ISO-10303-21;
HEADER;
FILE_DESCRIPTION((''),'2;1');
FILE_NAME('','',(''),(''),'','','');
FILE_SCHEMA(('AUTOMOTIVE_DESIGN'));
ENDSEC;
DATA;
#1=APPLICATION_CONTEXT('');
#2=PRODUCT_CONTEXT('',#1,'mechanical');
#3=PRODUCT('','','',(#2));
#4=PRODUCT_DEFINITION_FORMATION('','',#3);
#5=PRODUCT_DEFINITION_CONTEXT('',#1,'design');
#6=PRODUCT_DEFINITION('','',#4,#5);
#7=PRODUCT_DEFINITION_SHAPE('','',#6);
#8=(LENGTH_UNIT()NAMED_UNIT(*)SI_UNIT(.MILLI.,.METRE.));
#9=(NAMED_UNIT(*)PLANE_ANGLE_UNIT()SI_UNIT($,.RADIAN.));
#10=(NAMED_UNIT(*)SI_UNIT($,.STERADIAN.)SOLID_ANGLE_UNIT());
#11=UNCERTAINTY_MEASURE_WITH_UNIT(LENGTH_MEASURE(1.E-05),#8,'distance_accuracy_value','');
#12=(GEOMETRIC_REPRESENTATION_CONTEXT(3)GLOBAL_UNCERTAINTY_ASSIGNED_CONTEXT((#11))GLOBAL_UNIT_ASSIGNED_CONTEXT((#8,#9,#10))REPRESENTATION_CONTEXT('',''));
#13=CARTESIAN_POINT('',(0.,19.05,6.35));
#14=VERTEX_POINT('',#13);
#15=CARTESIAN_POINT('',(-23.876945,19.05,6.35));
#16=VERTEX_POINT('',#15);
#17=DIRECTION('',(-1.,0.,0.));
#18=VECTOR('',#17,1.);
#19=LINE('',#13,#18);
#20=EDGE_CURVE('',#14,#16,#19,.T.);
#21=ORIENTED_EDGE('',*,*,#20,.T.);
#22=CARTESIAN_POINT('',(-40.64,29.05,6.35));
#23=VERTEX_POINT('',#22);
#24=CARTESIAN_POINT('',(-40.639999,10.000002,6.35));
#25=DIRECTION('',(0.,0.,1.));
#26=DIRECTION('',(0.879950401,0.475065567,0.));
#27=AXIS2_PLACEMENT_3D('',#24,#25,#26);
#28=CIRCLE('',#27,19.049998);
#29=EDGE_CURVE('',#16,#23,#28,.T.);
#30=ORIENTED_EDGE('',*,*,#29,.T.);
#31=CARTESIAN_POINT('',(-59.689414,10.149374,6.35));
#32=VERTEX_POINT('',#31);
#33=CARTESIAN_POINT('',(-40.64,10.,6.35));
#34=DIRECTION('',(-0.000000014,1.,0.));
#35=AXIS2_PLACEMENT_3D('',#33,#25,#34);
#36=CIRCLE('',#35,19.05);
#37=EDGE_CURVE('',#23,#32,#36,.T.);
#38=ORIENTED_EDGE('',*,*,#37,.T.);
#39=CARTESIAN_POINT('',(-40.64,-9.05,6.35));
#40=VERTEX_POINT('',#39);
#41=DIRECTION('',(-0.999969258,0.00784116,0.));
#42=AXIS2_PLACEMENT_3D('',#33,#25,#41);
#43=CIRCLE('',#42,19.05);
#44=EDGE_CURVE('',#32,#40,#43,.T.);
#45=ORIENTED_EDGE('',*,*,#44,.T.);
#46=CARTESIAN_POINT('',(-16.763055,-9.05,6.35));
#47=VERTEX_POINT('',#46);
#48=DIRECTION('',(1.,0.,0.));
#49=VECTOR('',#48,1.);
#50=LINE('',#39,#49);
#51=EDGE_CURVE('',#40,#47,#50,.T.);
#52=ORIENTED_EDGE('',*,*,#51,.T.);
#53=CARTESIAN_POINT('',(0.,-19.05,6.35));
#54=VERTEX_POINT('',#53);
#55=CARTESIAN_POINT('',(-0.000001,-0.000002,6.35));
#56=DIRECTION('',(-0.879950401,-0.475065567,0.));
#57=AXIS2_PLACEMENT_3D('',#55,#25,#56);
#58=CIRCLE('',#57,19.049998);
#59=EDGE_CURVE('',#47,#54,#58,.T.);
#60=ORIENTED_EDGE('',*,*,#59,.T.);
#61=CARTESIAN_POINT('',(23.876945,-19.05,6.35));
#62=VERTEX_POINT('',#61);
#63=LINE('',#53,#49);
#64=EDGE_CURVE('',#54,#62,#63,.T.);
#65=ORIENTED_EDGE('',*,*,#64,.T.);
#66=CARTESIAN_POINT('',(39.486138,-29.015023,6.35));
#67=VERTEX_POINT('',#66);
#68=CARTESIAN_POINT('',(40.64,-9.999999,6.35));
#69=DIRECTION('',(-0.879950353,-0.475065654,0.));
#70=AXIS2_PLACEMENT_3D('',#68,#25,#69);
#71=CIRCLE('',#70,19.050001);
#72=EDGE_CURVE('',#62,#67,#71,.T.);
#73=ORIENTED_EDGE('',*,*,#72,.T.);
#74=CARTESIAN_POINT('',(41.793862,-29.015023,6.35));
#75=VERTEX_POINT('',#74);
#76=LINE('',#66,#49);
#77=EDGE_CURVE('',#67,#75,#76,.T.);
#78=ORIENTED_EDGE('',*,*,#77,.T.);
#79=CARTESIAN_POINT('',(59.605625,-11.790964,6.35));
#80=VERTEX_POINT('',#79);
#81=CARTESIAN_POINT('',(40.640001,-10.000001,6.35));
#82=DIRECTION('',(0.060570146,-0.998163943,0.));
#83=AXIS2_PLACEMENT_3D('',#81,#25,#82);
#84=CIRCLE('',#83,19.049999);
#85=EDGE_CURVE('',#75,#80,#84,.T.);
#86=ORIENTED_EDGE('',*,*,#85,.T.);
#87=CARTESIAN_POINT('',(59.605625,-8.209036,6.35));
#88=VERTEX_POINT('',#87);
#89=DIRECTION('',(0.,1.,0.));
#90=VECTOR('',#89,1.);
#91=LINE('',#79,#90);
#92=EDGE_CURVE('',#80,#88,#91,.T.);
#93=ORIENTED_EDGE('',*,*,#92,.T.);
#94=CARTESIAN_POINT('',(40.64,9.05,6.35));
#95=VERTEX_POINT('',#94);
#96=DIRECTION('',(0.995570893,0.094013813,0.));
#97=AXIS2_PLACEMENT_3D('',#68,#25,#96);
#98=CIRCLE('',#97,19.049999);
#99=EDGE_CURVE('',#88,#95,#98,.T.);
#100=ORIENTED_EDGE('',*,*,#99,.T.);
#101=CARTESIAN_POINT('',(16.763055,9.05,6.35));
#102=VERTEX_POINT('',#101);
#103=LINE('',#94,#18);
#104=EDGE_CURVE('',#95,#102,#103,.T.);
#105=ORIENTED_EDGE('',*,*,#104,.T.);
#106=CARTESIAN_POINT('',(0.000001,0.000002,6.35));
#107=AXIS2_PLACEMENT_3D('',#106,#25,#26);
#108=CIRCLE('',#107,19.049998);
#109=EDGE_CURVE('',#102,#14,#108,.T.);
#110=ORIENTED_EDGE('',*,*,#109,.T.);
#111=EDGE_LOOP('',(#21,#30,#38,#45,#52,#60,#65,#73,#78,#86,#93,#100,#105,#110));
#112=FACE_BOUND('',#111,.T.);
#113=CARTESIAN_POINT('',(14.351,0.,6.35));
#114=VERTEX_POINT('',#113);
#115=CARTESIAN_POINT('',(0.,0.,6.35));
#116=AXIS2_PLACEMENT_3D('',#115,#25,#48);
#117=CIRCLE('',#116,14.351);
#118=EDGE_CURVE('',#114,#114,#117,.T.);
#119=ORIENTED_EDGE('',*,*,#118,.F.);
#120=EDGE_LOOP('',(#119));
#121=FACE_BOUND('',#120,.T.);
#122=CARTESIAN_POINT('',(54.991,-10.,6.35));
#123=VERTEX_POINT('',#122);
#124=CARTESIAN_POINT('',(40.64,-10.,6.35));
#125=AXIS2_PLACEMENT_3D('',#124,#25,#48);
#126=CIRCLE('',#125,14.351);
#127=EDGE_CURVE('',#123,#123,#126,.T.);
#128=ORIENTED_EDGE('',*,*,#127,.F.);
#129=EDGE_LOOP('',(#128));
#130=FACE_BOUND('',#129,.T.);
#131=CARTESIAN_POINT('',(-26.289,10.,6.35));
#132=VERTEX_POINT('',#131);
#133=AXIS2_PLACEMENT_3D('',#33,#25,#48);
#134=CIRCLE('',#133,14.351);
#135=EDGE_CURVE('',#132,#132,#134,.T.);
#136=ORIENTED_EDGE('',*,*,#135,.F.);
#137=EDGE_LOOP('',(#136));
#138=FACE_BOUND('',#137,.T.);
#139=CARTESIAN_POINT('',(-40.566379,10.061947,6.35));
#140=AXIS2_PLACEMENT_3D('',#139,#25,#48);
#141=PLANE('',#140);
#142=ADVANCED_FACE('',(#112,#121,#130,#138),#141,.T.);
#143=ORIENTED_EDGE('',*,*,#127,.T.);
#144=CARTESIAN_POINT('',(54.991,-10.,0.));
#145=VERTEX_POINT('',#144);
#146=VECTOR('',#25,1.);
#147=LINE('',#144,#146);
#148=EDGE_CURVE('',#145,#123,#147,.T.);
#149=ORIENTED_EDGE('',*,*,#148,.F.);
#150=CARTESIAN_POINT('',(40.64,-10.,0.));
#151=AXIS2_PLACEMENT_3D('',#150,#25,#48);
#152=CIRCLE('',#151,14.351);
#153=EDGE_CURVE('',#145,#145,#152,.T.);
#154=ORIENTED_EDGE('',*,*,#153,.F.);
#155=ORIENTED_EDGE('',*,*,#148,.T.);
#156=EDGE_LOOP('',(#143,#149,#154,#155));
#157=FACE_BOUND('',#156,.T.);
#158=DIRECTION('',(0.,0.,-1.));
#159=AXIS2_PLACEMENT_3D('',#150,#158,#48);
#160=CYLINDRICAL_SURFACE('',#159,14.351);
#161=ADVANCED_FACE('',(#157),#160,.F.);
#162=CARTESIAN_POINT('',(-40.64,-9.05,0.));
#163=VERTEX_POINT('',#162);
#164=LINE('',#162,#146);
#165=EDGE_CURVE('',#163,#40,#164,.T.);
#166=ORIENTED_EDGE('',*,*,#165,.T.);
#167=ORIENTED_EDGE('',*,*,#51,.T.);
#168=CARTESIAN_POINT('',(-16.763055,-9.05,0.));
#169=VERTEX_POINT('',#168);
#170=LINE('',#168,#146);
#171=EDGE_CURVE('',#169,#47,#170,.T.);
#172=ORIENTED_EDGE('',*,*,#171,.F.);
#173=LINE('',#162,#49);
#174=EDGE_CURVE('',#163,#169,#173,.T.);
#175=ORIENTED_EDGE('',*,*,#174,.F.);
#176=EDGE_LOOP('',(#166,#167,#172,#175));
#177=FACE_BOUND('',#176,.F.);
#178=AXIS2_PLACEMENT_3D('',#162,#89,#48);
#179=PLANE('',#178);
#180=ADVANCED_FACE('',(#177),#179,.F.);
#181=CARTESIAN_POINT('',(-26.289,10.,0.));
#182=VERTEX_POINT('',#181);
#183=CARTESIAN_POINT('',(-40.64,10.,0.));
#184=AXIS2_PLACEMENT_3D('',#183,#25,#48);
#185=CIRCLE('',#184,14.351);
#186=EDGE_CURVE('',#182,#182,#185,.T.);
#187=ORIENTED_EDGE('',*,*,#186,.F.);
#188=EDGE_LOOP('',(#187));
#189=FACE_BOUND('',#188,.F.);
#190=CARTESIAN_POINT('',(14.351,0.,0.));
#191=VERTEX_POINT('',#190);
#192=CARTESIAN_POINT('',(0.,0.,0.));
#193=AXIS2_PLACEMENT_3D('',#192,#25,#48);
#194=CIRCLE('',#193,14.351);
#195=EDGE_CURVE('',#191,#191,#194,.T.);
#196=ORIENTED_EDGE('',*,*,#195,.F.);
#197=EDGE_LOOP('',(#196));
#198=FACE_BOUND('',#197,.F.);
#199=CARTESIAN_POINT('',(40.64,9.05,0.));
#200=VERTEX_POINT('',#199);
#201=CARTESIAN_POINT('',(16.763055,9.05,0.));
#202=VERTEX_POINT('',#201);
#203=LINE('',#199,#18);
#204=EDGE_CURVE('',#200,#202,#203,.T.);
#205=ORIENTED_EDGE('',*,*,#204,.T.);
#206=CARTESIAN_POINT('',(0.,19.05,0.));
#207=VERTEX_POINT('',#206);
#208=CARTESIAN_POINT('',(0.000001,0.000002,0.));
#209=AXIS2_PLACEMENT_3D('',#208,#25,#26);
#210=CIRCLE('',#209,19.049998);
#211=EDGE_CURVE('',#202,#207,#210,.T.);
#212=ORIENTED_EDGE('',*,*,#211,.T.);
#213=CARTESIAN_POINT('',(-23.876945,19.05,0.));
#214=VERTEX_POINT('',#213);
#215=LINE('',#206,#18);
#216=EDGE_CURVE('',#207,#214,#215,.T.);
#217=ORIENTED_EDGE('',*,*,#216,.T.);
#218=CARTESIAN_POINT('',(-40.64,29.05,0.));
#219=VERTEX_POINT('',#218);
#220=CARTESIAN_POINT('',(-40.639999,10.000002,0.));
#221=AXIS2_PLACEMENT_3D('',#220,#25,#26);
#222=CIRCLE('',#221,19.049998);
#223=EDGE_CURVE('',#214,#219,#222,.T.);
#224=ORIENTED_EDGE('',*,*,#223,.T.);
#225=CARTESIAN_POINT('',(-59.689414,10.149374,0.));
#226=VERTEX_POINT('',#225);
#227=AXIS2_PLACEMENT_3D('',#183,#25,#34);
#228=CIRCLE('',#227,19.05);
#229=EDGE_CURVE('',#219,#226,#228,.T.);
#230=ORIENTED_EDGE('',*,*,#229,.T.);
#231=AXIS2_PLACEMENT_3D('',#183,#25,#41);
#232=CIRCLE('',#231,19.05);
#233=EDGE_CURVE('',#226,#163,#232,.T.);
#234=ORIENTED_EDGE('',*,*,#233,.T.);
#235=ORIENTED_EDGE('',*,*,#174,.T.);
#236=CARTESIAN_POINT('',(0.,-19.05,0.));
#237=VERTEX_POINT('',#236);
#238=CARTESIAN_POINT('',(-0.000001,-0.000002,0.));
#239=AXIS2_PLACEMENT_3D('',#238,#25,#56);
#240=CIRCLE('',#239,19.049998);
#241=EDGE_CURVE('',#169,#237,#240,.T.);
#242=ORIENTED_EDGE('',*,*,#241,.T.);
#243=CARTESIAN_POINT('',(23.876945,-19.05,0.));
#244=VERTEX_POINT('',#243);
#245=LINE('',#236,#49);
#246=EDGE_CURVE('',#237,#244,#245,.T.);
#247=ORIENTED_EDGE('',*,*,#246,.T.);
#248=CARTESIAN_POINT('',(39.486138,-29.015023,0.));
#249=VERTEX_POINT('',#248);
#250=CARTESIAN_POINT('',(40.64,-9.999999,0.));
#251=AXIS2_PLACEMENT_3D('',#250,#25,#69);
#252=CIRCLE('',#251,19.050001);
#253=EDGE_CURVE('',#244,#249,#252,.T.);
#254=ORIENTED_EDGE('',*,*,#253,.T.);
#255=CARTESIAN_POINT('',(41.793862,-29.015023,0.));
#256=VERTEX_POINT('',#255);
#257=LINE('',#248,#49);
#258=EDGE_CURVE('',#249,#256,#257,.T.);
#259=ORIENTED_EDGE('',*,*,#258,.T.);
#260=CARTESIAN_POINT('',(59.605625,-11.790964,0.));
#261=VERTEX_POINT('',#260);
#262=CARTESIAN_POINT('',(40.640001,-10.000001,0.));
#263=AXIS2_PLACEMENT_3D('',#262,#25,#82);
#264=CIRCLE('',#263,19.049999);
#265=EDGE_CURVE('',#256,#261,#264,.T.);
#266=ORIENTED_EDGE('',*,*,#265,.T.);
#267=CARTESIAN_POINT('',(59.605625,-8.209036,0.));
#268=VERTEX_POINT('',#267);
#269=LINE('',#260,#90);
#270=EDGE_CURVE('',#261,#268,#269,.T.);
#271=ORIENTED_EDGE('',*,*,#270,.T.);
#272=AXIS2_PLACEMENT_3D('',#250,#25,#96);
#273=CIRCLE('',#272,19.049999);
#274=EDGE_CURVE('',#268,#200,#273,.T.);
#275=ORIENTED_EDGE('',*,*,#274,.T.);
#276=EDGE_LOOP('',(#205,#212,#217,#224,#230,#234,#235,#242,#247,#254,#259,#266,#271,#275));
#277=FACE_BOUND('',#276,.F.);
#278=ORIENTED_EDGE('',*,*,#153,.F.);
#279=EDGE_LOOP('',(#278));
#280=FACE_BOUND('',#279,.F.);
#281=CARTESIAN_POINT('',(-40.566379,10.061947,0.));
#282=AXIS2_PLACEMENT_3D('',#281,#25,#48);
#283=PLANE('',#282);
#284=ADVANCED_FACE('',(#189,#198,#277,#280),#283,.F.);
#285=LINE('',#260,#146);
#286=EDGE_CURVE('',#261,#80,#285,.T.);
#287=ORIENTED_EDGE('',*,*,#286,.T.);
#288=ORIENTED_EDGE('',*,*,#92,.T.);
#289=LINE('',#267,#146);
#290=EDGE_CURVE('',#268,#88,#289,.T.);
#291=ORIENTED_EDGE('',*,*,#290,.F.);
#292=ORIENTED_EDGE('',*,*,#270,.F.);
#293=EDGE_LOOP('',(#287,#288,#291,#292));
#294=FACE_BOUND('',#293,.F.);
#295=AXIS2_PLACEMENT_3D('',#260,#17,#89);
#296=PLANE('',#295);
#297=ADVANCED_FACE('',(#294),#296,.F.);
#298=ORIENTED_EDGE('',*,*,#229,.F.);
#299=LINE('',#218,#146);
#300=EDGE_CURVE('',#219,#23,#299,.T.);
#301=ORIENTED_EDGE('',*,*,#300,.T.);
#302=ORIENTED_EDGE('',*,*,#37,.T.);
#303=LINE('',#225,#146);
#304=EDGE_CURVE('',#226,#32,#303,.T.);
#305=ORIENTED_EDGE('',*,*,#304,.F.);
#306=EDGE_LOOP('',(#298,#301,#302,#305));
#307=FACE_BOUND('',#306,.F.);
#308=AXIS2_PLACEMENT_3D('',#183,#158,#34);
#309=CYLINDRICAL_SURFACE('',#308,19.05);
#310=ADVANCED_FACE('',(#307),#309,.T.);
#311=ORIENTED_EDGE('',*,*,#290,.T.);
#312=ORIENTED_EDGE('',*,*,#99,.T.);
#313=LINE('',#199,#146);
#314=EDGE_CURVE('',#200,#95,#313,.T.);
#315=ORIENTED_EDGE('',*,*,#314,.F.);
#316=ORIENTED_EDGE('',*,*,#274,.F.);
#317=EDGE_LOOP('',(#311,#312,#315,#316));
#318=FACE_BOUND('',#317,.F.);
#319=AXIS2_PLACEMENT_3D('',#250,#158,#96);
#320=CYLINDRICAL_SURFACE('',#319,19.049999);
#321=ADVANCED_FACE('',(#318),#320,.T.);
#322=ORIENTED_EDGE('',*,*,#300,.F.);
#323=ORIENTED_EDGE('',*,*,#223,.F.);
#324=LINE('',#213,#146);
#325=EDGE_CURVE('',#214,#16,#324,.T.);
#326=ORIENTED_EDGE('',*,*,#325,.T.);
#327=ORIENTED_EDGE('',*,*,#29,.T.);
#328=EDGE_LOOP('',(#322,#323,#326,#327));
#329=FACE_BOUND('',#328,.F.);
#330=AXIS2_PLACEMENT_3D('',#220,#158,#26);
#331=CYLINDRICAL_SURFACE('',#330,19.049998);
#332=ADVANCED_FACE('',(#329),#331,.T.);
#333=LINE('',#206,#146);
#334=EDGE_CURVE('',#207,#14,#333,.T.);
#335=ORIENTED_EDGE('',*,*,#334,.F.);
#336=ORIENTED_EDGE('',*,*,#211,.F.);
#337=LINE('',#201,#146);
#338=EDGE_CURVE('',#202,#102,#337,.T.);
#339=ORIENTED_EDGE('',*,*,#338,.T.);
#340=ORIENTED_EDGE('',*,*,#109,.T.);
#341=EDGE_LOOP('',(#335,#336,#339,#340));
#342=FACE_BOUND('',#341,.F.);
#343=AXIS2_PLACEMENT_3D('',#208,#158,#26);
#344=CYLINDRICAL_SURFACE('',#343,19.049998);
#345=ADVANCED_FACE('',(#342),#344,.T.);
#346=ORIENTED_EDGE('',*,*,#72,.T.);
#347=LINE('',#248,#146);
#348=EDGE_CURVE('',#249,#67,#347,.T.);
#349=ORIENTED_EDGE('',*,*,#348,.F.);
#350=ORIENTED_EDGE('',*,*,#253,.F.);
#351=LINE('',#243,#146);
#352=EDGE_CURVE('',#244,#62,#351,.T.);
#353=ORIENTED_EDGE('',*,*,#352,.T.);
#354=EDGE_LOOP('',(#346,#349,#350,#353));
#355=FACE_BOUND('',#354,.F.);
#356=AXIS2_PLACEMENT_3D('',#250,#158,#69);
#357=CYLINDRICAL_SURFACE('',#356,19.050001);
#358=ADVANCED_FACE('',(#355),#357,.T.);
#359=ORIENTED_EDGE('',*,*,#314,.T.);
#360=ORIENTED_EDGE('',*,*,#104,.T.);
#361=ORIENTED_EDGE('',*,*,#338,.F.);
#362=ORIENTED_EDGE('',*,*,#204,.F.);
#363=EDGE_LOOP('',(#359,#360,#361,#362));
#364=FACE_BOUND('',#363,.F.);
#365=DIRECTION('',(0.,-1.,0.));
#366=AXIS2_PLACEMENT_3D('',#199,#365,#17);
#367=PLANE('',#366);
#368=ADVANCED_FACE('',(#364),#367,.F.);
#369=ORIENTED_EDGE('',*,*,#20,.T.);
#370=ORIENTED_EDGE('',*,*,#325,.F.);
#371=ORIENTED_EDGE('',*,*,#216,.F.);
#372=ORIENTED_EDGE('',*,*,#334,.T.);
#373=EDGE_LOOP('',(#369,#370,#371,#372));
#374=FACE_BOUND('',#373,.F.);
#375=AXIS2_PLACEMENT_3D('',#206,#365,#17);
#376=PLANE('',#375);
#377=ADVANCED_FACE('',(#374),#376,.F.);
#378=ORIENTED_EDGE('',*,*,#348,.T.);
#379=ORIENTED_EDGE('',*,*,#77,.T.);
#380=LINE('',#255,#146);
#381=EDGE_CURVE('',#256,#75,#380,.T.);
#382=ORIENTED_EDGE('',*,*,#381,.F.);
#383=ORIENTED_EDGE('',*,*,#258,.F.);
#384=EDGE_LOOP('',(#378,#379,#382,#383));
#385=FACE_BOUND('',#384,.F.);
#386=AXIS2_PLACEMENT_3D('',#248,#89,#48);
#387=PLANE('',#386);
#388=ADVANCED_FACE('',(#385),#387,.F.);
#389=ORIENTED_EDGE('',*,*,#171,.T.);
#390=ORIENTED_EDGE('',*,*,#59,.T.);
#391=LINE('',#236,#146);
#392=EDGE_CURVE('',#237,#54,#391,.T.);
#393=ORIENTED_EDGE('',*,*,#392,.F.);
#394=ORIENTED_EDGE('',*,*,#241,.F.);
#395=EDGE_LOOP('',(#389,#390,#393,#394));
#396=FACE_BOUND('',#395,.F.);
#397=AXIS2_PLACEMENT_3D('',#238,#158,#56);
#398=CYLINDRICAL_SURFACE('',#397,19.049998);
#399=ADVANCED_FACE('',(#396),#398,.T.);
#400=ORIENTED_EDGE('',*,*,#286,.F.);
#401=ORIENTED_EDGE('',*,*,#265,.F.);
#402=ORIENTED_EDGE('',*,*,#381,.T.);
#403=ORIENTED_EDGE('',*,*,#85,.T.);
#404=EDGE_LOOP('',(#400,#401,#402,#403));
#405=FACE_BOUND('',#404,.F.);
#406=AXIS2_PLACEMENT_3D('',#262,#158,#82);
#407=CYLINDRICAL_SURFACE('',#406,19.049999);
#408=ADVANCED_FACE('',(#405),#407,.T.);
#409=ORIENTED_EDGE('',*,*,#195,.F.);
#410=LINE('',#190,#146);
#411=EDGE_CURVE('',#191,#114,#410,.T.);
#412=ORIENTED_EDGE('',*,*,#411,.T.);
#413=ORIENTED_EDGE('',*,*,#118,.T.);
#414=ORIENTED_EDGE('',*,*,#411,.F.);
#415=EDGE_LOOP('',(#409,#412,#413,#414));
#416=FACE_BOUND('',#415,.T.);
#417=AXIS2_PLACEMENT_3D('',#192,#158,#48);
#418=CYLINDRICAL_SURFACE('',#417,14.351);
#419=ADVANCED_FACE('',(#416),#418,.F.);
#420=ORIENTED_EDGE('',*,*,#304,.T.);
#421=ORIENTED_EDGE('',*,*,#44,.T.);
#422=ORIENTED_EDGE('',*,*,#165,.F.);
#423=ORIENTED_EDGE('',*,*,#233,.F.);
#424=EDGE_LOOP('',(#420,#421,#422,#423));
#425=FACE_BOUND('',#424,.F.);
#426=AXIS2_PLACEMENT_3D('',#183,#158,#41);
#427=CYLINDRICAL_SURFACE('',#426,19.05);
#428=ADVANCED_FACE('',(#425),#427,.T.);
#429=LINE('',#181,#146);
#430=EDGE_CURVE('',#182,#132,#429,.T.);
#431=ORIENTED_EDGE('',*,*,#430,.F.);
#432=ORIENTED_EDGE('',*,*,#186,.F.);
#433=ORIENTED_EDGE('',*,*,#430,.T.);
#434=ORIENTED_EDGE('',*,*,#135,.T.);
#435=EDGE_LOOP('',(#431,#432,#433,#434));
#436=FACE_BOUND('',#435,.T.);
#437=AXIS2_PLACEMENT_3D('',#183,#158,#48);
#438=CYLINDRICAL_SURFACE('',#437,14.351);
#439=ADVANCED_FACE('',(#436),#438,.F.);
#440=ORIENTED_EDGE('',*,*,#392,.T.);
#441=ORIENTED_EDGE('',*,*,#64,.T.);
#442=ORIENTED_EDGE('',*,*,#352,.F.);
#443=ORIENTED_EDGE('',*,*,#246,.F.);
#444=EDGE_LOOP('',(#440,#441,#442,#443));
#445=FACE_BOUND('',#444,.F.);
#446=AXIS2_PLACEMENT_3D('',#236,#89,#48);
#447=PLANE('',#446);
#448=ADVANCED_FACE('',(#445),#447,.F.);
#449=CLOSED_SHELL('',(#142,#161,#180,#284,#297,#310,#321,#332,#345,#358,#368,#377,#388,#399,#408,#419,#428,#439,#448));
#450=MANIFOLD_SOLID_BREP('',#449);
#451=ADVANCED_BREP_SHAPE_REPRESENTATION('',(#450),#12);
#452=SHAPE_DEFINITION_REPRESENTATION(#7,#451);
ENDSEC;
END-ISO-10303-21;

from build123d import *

# Parameters (mm, degrees)
F0_R     = 14.351
F1_DEPTH = 6.35


with BuildPart() as f1:
    # F0 (on Top) → F1 (new body)
    with BuildSketch(Plane.XY):
        with BuildLine():
            ThreePointArc((-40.64, -9.05), (-27.169616, -3.470384), (-21.59, 10))
            ThreePointArc((-21.59, 10), (-22.170584, 14.667243), (-23.876945, 19.05))
            ThreePointArc((-23.876945, 19.05), (-30.880389, 26.360089), (-40.64, 29.05))
            ThreePointArc((-40.64, 29.05), (-54.057468, 23.523093), (-59.689414, 10.149374))
            ThreePointArc((-59.689414, 10.149374), (-54.163093, -3.417468), (-40.64, -9.05))
        make_face()
        with Locations((-40.64, 10)):
            Circle(F0_R, mode=Mode.SUBTRACT)
        with BuildLine():
            ThreePointArc((-23.876945, 19.05), (-22.170584, 14.667243), (-21.59, 10))
            ThreePointArc((-21.59, 10), (-27.169616, -3.470384), (-40.64, -9.05))
            Line((-40.64, -9.05), (-16.763055, -9.05))
            ThreePointArc((-16.763055, -9.05), (-16.360089, 9.759611), (0, 19.05))
            Line((0, 19.05), (-23.876945, 19.05))
        make_face()
        with BuildLine():
            ThreePointArc((16.763055, 9.05), (9.759611, 16.360089), (0, 19.05))
            ThreePointArc((0, 19.05), (-16.360089, 9.759611), (-16.763055, -9.05))
            ThreePointArc((-16.763055, -9.05), (-9.759611, -16.360089), (0, -19.05))
            ThreePointArc((0, -19.05), (13.470384, -13.470384), (19.05, 0))
            ThreePointArc((19.05, 0), (18.469416, 4.667243), (16.763055, 9.05))
        make_face()
        Circle(F0_R, mode=Mode.SUBTRACT)
        with BuildLine():
            Line((40.64, 9.05), (16.763055, 9.05))
            ThreePointArc((16.763055, 9.05), (18.469416, 4.667243), (19.05, 0))
            ThreePointArc((19.05, 0), (13.470384, -13.470384), (0, -19.05))
            Line((0, -19.05), (23.876945, -19.05))
            ThreePointArc((23.876945, -19.05), (24.279911, -0.240389), (40.64, 9.05))
        make_face()
        with BuildLine():
            ThreePointArc((59.605625, -8.209036), (53.461557, 4.089364), (40.64, 9.05))
            ThreePointArc((40.64, 9.05), (24.279911, -0.240389), (23.876945, -19.05))
            ThreePointArc((23.876945, -19.05), (30.389176, -26.056871), (39.486138, -29.015023))
            Line((39.486138, -29.015023), (41.793862, -29.015023))
            ThreePointArc((41.793862, -29.015023), (53.882564, -23.694415), (59.605625, -11.790964))
            Line((59.605625, -11.790964), (59.605625, -8.209036))
        make_face()
        with Locations((40.64, -10)):
            Circle(F0_R, mode=Mode.SUBTRACT)
    extrude(amount=F1_DEPTH)


solid = f1.part
